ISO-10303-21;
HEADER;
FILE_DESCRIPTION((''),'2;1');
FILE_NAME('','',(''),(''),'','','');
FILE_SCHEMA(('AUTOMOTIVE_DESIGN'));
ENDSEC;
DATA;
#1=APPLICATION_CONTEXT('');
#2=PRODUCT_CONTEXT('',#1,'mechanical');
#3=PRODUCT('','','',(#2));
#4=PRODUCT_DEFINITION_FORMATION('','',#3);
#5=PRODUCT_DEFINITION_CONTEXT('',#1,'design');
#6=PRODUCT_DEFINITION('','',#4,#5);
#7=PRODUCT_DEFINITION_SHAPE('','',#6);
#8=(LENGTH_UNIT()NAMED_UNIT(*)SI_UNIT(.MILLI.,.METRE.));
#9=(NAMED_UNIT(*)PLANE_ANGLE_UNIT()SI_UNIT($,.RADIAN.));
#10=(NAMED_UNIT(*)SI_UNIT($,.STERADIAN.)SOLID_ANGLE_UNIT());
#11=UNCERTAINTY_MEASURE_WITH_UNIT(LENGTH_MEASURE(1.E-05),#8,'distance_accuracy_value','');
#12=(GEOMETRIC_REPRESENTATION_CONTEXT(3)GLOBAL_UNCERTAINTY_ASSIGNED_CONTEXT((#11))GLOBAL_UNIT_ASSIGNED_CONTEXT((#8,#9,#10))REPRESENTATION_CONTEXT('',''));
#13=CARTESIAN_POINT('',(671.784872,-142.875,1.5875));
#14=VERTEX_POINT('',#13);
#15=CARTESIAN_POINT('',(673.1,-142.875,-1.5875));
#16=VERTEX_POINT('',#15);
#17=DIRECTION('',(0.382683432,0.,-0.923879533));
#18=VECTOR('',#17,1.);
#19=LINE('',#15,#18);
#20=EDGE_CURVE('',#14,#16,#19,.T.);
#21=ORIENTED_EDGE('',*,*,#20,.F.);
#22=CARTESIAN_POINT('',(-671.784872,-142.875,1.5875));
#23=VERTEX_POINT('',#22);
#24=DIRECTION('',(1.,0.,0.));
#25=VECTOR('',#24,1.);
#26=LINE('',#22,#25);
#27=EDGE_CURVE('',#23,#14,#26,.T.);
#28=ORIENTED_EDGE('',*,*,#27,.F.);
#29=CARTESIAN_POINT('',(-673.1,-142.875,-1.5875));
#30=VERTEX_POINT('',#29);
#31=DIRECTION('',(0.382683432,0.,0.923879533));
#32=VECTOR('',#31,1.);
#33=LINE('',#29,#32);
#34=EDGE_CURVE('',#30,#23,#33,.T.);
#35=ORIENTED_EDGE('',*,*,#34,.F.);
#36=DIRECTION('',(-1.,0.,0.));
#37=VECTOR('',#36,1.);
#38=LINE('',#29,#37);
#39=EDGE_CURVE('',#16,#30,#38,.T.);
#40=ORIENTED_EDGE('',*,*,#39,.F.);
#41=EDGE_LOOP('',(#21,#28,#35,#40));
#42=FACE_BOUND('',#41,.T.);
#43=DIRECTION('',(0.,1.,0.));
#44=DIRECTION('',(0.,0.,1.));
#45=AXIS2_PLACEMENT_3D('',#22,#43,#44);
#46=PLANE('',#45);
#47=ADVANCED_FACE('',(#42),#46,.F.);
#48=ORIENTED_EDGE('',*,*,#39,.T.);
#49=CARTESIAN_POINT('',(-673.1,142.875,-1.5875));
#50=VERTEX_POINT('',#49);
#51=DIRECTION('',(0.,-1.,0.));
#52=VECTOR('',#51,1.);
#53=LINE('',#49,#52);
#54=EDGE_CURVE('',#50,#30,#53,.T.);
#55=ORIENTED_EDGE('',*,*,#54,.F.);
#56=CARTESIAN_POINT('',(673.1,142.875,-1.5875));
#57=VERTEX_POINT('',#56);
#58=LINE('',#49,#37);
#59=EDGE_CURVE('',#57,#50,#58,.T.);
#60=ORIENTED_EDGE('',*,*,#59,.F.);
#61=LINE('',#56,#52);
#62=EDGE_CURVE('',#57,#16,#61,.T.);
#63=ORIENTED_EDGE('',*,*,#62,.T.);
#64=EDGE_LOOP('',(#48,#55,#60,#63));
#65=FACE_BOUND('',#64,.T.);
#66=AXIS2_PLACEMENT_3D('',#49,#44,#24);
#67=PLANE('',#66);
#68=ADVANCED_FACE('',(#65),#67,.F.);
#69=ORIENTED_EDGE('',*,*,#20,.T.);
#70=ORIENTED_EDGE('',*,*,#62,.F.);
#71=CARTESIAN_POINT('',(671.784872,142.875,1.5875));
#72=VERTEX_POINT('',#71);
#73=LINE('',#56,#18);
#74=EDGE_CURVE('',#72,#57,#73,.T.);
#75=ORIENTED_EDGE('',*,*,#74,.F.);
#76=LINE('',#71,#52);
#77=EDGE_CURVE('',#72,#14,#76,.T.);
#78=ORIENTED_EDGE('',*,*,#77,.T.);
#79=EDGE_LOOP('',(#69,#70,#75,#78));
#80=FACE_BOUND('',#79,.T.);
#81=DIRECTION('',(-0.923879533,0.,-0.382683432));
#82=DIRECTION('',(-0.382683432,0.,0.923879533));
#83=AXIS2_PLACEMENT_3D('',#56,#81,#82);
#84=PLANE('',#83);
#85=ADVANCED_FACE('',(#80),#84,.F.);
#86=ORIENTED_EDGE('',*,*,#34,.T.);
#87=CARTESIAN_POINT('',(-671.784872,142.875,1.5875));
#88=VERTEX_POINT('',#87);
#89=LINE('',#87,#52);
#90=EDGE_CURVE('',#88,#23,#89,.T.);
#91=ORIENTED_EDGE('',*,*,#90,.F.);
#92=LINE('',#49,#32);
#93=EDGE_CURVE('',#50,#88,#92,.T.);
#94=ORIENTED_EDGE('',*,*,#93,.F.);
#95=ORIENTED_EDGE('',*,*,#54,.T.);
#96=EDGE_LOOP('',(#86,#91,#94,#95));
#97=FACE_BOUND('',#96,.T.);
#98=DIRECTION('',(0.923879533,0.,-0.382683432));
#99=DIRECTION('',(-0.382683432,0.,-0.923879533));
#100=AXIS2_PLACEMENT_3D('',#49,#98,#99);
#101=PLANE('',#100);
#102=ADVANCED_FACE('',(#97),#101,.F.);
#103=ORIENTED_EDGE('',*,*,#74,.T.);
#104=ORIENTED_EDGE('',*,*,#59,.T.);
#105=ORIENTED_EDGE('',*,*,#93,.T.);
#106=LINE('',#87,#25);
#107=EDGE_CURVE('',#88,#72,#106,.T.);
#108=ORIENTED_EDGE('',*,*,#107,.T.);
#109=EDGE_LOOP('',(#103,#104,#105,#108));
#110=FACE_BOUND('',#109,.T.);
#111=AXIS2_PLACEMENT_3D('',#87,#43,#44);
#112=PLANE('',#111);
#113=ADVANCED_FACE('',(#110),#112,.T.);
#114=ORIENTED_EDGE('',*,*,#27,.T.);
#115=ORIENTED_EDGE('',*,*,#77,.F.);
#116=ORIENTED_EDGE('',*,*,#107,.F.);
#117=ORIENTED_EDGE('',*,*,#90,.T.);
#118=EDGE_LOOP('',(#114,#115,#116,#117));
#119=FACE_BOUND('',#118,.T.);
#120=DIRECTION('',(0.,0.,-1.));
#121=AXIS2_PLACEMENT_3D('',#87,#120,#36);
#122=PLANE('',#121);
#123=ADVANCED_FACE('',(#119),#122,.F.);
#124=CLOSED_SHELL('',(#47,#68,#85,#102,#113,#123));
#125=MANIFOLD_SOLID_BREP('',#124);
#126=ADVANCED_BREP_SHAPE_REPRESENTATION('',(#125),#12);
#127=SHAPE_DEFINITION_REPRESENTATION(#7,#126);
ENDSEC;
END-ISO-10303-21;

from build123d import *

# Parameters (mm, degrees)
EXTRUDE1_DEPTH = 142.875


with BuildPart() as part:
    # Sketch1 → Extrude1 (new body, symmetric)
    with BuildSketch(Plane(origin=(0, 0, 0), x_dir=(1, 0, 0), z_dir=(0, 1, 0))):
        Polygon((673.1, 1.5875), (671.784871939, -1.5875), (-671.784871939, -1.5875), (-673.1, 1.5875), align=None)
    extrude(amount=EXTRUDE1_DEPTH, both=True)


solid = part.part
